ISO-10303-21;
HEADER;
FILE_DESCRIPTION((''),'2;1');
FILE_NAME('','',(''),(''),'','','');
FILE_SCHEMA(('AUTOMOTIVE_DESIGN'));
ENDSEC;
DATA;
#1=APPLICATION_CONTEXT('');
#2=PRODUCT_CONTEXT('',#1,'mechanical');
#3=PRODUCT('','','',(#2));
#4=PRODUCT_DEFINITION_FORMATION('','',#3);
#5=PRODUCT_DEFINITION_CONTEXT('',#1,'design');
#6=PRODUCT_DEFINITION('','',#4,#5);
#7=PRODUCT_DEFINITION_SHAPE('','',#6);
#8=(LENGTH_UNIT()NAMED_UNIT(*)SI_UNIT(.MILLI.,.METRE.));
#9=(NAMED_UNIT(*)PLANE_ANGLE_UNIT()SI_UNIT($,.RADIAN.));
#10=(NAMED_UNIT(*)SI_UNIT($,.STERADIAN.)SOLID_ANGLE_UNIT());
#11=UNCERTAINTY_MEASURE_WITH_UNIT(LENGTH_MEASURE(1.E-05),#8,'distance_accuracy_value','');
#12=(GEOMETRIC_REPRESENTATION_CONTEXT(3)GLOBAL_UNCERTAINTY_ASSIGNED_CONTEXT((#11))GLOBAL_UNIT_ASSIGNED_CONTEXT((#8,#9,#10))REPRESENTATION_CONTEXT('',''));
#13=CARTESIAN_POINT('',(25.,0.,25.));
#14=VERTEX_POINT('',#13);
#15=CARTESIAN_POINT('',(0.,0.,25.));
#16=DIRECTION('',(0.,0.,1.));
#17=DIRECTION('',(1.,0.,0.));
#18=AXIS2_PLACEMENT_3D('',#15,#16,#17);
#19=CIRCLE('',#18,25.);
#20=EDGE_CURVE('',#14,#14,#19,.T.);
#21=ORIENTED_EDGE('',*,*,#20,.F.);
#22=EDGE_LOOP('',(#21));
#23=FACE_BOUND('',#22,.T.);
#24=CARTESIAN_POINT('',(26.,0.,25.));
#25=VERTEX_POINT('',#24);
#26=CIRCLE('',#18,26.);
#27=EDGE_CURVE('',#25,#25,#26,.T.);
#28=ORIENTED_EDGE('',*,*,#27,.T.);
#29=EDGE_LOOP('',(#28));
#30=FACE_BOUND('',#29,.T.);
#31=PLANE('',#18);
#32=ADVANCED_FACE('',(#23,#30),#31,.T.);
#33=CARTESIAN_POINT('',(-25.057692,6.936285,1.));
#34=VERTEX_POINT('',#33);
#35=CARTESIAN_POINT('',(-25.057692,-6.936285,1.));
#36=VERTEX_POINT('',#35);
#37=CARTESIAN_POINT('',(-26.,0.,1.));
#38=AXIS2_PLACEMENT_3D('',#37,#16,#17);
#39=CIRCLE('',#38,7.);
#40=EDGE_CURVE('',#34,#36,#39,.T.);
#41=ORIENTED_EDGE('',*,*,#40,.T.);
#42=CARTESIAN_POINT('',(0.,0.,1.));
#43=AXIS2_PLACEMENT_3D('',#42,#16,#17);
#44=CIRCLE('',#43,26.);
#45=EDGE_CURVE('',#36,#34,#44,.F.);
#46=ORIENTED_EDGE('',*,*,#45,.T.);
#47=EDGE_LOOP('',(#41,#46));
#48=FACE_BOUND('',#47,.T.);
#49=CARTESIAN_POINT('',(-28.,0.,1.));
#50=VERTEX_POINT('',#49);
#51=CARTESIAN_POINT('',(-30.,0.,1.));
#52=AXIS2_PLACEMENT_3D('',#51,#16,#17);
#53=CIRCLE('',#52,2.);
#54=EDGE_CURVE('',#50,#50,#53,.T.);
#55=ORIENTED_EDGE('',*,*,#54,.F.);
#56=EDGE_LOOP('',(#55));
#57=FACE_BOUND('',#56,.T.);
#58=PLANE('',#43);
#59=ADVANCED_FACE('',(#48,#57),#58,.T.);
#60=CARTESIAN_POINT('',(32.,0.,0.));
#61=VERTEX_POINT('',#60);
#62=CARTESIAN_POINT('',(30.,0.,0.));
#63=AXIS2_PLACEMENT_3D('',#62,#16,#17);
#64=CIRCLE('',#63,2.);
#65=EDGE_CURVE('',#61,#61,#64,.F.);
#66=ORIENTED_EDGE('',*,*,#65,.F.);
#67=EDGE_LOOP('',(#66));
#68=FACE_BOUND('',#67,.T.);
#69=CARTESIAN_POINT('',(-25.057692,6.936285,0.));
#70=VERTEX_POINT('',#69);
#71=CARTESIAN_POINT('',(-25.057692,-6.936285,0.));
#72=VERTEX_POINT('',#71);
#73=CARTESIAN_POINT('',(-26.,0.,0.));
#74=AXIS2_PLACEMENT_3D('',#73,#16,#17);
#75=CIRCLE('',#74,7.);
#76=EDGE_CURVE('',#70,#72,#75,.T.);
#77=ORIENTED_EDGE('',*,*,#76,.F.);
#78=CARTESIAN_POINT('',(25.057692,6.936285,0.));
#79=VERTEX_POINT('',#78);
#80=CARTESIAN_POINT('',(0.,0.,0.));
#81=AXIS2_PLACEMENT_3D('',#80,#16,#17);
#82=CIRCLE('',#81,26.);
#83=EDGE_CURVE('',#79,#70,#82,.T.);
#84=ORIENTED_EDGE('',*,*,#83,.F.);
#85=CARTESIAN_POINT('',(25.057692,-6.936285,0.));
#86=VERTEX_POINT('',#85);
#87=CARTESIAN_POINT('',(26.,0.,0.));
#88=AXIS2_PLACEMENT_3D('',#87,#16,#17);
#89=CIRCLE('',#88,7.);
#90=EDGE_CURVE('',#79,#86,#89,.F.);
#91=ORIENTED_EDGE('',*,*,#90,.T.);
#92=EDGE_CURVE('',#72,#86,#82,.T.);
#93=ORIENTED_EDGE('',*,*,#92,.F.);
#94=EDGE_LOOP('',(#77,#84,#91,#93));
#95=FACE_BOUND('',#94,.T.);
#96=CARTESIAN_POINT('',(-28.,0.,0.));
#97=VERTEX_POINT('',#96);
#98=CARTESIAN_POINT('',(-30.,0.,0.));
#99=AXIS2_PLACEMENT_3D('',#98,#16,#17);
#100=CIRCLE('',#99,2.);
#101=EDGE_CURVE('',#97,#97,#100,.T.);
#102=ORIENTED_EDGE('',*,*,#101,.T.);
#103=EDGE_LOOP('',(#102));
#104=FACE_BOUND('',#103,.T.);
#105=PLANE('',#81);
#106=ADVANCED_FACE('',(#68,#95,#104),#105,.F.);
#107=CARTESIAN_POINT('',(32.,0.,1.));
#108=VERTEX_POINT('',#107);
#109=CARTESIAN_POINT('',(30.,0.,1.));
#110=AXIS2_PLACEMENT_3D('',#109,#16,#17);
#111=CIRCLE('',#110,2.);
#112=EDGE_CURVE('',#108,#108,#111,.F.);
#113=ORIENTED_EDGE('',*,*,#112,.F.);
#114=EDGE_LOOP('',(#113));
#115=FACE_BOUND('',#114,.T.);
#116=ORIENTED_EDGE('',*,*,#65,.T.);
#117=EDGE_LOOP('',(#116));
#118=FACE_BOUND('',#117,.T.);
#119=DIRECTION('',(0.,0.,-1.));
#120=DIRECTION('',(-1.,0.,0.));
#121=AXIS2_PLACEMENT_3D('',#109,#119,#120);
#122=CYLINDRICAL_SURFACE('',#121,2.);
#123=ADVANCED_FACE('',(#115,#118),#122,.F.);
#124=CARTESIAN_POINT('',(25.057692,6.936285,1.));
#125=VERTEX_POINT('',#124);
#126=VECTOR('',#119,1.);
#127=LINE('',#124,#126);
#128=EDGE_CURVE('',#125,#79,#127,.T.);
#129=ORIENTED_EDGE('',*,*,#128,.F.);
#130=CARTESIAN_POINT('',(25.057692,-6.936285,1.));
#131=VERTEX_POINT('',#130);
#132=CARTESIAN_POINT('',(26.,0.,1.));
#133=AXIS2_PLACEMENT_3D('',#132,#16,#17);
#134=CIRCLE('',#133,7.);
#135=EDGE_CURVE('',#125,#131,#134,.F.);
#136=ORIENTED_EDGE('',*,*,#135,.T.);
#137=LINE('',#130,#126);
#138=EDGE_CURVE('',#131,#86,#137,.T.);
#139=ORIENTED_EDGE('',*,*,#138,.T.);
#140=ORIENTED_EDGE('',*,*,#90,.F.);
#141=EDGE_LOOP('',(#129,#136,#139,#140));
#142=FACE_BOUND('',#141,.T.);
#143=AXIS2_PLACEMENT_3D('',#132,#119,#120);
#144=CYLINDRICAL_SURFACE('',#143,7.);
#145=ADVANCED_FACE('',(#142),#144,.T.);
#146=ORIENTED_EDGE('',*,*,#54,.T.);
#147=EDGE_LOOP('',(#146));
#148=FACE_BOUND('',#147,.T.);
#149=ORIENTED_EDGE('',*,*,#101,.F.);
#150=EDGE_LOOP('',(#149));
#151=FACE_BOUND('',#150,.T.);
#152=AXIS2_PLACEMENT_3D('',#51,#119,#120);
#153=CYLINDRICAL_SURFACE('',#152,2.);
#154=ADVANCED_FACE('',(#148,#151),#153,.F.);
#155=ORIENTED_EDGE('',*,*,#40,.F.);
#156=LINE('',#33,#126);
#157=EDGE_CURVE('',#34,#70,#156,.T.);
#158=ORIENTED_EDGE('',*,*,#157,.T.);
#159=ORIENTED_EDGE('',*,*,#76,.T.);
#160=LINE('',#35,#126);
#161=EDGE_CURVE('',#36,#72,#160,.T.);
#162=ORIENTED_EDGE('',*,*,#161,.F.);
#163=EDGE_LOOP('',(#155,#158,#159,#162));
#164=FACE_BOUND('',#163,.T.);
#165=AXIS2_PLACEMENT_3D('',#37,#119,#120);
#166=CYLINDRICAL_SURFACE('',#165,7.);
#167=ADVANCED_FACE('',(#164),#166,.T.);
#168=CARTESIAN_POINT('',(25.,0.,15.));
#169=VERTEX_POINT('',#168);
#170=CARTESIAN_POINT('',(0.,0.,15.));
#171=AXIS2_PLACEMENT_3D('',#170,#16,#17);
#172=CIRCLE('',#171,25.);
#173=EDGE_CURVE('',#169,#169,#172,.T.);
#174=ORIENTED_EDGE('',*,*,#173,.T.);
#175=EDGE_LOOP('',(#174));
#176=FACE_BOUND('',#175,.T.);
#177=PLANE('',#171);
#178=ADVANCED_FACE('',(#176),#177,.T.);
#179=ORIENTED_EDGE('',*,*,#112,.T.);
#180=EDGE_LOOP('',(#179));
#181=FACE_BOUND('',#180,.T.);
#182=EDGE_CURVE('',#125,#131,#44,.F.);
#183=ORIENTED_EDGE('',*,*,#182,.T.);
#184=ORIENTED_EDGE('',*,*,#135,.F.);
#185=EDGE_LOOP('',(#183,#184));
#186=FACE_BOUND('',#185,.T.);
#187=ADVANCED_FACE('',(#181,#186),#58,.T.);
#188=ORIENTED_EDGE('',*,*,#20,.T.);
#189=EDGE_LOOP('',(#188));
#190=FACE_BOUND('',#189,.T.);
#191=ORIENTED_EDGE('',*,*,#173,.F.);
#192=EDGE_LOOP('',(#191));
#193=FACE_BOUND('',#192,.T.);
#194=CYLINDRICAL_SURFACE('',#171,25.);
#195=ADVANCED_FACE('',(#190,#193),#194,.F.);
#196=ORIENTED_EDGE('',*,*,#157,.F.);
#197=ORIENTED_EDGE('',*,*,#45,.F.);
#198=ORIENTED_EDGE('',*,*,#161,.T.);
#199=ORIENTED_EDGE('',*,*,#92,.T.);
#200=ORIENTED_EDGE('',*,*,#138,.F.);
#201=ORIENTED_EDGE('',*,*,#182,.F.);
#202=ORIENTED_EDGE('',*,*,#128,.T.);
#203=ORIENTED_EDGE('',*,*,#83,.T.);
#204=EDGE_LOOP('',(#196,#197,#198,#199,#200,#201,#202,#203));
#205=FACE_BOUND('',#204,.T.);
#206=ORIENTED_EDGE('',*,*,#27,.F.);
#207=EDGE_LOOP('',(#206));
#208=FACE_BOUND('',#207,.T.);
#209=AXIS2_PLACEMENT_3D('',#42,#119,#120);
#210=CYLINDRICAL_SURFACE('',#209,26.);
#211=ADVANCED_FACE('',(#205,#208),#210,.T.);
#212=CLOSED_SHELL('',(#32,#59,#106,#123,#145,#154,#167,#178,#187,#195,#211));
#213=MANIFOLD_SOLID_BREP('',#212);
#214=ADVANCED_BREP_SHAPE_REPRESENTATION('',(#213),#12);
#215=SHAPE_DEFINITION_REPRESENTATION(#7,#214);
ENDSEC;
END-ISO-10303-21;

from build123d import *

# Parameters (mm, degrees)
ESQUISSE1_R             = 2
BOSS_EXTRU_1_DEPTH      = 1
BOSS_EXTRU_2_DEPTH      = 25
ESQUISSE2_R             = 25
ENL_V_MAT_EXTRU_1_DEPTH = 10


with BuildPart() as part:
    # Esquisse1 → Boss.-Extru.1 (new body)
    with BuildSketch(Plane.XY):
        with BuildLine():
            ThreePointArc((-25.057692308, -6.936285477), (0, -26), (25.057692308, -6.936285477))
            ThreePointArc((25.057692308, -6.936285477), (33, 0), (25.057692308, 6.936285477))
            ThreePointArc((25.057692308, 6.936285477), (0, 26), (-25.057692308, 6.936285477))
            ThreePointArc((-25.057692308, 6.936285477), (-33, 0), (-25.057692308, -6.936285477))
        make_face()
        with Locations((30, 0)):
            Circle(ESQUISSE1_R, mode=Mode.SUBTRACT)
        with Locations((-30, 0)):
            Circle(ESQUISSE1_R, mode=Mode.SUBTRACT)
    extrude(amount=BOSS_EXTRU_1_DEPTH)

    # Esquisse1<3> → Boss.-Extru.2 (add)
    with BuildSketch(Plane.XY):
        with BuildLine():
            ThreePointArc((25.057692308, -6.936285477), (25.763346056, -3.5), (26, 0))
            ThreePointArc((26, 0), (25.763346056, 3.5), (25.057692308, 6.936285477))
            ThreePointArc((25.057692308, 6.936285477), (0, 26), (-25.057692308, 6.936285477))
            ThreePointArc((-25.057692308, 6.936285477), (-26, 0), (-25.057692308, -6.936285477))
            ThreePointArc((-25.057692308, -6.936285477), (0, -26), (25.057692308, -6.936285477))
        make_face()
    extrude(amount=BOSS_EXTRU_2_DEPTH)

    # Esquisse2 → Enlèv. mat.-Extru.1 (cut)
    with BuildSketch(Plane.XY.offset(25)):
        Circle(ESQUISSE2_R)
    extrude(amount=-ENL_V_MAT_EXTRU_1_DEPTH, mode=Mode.SUBTRACT)


solid = part.part
